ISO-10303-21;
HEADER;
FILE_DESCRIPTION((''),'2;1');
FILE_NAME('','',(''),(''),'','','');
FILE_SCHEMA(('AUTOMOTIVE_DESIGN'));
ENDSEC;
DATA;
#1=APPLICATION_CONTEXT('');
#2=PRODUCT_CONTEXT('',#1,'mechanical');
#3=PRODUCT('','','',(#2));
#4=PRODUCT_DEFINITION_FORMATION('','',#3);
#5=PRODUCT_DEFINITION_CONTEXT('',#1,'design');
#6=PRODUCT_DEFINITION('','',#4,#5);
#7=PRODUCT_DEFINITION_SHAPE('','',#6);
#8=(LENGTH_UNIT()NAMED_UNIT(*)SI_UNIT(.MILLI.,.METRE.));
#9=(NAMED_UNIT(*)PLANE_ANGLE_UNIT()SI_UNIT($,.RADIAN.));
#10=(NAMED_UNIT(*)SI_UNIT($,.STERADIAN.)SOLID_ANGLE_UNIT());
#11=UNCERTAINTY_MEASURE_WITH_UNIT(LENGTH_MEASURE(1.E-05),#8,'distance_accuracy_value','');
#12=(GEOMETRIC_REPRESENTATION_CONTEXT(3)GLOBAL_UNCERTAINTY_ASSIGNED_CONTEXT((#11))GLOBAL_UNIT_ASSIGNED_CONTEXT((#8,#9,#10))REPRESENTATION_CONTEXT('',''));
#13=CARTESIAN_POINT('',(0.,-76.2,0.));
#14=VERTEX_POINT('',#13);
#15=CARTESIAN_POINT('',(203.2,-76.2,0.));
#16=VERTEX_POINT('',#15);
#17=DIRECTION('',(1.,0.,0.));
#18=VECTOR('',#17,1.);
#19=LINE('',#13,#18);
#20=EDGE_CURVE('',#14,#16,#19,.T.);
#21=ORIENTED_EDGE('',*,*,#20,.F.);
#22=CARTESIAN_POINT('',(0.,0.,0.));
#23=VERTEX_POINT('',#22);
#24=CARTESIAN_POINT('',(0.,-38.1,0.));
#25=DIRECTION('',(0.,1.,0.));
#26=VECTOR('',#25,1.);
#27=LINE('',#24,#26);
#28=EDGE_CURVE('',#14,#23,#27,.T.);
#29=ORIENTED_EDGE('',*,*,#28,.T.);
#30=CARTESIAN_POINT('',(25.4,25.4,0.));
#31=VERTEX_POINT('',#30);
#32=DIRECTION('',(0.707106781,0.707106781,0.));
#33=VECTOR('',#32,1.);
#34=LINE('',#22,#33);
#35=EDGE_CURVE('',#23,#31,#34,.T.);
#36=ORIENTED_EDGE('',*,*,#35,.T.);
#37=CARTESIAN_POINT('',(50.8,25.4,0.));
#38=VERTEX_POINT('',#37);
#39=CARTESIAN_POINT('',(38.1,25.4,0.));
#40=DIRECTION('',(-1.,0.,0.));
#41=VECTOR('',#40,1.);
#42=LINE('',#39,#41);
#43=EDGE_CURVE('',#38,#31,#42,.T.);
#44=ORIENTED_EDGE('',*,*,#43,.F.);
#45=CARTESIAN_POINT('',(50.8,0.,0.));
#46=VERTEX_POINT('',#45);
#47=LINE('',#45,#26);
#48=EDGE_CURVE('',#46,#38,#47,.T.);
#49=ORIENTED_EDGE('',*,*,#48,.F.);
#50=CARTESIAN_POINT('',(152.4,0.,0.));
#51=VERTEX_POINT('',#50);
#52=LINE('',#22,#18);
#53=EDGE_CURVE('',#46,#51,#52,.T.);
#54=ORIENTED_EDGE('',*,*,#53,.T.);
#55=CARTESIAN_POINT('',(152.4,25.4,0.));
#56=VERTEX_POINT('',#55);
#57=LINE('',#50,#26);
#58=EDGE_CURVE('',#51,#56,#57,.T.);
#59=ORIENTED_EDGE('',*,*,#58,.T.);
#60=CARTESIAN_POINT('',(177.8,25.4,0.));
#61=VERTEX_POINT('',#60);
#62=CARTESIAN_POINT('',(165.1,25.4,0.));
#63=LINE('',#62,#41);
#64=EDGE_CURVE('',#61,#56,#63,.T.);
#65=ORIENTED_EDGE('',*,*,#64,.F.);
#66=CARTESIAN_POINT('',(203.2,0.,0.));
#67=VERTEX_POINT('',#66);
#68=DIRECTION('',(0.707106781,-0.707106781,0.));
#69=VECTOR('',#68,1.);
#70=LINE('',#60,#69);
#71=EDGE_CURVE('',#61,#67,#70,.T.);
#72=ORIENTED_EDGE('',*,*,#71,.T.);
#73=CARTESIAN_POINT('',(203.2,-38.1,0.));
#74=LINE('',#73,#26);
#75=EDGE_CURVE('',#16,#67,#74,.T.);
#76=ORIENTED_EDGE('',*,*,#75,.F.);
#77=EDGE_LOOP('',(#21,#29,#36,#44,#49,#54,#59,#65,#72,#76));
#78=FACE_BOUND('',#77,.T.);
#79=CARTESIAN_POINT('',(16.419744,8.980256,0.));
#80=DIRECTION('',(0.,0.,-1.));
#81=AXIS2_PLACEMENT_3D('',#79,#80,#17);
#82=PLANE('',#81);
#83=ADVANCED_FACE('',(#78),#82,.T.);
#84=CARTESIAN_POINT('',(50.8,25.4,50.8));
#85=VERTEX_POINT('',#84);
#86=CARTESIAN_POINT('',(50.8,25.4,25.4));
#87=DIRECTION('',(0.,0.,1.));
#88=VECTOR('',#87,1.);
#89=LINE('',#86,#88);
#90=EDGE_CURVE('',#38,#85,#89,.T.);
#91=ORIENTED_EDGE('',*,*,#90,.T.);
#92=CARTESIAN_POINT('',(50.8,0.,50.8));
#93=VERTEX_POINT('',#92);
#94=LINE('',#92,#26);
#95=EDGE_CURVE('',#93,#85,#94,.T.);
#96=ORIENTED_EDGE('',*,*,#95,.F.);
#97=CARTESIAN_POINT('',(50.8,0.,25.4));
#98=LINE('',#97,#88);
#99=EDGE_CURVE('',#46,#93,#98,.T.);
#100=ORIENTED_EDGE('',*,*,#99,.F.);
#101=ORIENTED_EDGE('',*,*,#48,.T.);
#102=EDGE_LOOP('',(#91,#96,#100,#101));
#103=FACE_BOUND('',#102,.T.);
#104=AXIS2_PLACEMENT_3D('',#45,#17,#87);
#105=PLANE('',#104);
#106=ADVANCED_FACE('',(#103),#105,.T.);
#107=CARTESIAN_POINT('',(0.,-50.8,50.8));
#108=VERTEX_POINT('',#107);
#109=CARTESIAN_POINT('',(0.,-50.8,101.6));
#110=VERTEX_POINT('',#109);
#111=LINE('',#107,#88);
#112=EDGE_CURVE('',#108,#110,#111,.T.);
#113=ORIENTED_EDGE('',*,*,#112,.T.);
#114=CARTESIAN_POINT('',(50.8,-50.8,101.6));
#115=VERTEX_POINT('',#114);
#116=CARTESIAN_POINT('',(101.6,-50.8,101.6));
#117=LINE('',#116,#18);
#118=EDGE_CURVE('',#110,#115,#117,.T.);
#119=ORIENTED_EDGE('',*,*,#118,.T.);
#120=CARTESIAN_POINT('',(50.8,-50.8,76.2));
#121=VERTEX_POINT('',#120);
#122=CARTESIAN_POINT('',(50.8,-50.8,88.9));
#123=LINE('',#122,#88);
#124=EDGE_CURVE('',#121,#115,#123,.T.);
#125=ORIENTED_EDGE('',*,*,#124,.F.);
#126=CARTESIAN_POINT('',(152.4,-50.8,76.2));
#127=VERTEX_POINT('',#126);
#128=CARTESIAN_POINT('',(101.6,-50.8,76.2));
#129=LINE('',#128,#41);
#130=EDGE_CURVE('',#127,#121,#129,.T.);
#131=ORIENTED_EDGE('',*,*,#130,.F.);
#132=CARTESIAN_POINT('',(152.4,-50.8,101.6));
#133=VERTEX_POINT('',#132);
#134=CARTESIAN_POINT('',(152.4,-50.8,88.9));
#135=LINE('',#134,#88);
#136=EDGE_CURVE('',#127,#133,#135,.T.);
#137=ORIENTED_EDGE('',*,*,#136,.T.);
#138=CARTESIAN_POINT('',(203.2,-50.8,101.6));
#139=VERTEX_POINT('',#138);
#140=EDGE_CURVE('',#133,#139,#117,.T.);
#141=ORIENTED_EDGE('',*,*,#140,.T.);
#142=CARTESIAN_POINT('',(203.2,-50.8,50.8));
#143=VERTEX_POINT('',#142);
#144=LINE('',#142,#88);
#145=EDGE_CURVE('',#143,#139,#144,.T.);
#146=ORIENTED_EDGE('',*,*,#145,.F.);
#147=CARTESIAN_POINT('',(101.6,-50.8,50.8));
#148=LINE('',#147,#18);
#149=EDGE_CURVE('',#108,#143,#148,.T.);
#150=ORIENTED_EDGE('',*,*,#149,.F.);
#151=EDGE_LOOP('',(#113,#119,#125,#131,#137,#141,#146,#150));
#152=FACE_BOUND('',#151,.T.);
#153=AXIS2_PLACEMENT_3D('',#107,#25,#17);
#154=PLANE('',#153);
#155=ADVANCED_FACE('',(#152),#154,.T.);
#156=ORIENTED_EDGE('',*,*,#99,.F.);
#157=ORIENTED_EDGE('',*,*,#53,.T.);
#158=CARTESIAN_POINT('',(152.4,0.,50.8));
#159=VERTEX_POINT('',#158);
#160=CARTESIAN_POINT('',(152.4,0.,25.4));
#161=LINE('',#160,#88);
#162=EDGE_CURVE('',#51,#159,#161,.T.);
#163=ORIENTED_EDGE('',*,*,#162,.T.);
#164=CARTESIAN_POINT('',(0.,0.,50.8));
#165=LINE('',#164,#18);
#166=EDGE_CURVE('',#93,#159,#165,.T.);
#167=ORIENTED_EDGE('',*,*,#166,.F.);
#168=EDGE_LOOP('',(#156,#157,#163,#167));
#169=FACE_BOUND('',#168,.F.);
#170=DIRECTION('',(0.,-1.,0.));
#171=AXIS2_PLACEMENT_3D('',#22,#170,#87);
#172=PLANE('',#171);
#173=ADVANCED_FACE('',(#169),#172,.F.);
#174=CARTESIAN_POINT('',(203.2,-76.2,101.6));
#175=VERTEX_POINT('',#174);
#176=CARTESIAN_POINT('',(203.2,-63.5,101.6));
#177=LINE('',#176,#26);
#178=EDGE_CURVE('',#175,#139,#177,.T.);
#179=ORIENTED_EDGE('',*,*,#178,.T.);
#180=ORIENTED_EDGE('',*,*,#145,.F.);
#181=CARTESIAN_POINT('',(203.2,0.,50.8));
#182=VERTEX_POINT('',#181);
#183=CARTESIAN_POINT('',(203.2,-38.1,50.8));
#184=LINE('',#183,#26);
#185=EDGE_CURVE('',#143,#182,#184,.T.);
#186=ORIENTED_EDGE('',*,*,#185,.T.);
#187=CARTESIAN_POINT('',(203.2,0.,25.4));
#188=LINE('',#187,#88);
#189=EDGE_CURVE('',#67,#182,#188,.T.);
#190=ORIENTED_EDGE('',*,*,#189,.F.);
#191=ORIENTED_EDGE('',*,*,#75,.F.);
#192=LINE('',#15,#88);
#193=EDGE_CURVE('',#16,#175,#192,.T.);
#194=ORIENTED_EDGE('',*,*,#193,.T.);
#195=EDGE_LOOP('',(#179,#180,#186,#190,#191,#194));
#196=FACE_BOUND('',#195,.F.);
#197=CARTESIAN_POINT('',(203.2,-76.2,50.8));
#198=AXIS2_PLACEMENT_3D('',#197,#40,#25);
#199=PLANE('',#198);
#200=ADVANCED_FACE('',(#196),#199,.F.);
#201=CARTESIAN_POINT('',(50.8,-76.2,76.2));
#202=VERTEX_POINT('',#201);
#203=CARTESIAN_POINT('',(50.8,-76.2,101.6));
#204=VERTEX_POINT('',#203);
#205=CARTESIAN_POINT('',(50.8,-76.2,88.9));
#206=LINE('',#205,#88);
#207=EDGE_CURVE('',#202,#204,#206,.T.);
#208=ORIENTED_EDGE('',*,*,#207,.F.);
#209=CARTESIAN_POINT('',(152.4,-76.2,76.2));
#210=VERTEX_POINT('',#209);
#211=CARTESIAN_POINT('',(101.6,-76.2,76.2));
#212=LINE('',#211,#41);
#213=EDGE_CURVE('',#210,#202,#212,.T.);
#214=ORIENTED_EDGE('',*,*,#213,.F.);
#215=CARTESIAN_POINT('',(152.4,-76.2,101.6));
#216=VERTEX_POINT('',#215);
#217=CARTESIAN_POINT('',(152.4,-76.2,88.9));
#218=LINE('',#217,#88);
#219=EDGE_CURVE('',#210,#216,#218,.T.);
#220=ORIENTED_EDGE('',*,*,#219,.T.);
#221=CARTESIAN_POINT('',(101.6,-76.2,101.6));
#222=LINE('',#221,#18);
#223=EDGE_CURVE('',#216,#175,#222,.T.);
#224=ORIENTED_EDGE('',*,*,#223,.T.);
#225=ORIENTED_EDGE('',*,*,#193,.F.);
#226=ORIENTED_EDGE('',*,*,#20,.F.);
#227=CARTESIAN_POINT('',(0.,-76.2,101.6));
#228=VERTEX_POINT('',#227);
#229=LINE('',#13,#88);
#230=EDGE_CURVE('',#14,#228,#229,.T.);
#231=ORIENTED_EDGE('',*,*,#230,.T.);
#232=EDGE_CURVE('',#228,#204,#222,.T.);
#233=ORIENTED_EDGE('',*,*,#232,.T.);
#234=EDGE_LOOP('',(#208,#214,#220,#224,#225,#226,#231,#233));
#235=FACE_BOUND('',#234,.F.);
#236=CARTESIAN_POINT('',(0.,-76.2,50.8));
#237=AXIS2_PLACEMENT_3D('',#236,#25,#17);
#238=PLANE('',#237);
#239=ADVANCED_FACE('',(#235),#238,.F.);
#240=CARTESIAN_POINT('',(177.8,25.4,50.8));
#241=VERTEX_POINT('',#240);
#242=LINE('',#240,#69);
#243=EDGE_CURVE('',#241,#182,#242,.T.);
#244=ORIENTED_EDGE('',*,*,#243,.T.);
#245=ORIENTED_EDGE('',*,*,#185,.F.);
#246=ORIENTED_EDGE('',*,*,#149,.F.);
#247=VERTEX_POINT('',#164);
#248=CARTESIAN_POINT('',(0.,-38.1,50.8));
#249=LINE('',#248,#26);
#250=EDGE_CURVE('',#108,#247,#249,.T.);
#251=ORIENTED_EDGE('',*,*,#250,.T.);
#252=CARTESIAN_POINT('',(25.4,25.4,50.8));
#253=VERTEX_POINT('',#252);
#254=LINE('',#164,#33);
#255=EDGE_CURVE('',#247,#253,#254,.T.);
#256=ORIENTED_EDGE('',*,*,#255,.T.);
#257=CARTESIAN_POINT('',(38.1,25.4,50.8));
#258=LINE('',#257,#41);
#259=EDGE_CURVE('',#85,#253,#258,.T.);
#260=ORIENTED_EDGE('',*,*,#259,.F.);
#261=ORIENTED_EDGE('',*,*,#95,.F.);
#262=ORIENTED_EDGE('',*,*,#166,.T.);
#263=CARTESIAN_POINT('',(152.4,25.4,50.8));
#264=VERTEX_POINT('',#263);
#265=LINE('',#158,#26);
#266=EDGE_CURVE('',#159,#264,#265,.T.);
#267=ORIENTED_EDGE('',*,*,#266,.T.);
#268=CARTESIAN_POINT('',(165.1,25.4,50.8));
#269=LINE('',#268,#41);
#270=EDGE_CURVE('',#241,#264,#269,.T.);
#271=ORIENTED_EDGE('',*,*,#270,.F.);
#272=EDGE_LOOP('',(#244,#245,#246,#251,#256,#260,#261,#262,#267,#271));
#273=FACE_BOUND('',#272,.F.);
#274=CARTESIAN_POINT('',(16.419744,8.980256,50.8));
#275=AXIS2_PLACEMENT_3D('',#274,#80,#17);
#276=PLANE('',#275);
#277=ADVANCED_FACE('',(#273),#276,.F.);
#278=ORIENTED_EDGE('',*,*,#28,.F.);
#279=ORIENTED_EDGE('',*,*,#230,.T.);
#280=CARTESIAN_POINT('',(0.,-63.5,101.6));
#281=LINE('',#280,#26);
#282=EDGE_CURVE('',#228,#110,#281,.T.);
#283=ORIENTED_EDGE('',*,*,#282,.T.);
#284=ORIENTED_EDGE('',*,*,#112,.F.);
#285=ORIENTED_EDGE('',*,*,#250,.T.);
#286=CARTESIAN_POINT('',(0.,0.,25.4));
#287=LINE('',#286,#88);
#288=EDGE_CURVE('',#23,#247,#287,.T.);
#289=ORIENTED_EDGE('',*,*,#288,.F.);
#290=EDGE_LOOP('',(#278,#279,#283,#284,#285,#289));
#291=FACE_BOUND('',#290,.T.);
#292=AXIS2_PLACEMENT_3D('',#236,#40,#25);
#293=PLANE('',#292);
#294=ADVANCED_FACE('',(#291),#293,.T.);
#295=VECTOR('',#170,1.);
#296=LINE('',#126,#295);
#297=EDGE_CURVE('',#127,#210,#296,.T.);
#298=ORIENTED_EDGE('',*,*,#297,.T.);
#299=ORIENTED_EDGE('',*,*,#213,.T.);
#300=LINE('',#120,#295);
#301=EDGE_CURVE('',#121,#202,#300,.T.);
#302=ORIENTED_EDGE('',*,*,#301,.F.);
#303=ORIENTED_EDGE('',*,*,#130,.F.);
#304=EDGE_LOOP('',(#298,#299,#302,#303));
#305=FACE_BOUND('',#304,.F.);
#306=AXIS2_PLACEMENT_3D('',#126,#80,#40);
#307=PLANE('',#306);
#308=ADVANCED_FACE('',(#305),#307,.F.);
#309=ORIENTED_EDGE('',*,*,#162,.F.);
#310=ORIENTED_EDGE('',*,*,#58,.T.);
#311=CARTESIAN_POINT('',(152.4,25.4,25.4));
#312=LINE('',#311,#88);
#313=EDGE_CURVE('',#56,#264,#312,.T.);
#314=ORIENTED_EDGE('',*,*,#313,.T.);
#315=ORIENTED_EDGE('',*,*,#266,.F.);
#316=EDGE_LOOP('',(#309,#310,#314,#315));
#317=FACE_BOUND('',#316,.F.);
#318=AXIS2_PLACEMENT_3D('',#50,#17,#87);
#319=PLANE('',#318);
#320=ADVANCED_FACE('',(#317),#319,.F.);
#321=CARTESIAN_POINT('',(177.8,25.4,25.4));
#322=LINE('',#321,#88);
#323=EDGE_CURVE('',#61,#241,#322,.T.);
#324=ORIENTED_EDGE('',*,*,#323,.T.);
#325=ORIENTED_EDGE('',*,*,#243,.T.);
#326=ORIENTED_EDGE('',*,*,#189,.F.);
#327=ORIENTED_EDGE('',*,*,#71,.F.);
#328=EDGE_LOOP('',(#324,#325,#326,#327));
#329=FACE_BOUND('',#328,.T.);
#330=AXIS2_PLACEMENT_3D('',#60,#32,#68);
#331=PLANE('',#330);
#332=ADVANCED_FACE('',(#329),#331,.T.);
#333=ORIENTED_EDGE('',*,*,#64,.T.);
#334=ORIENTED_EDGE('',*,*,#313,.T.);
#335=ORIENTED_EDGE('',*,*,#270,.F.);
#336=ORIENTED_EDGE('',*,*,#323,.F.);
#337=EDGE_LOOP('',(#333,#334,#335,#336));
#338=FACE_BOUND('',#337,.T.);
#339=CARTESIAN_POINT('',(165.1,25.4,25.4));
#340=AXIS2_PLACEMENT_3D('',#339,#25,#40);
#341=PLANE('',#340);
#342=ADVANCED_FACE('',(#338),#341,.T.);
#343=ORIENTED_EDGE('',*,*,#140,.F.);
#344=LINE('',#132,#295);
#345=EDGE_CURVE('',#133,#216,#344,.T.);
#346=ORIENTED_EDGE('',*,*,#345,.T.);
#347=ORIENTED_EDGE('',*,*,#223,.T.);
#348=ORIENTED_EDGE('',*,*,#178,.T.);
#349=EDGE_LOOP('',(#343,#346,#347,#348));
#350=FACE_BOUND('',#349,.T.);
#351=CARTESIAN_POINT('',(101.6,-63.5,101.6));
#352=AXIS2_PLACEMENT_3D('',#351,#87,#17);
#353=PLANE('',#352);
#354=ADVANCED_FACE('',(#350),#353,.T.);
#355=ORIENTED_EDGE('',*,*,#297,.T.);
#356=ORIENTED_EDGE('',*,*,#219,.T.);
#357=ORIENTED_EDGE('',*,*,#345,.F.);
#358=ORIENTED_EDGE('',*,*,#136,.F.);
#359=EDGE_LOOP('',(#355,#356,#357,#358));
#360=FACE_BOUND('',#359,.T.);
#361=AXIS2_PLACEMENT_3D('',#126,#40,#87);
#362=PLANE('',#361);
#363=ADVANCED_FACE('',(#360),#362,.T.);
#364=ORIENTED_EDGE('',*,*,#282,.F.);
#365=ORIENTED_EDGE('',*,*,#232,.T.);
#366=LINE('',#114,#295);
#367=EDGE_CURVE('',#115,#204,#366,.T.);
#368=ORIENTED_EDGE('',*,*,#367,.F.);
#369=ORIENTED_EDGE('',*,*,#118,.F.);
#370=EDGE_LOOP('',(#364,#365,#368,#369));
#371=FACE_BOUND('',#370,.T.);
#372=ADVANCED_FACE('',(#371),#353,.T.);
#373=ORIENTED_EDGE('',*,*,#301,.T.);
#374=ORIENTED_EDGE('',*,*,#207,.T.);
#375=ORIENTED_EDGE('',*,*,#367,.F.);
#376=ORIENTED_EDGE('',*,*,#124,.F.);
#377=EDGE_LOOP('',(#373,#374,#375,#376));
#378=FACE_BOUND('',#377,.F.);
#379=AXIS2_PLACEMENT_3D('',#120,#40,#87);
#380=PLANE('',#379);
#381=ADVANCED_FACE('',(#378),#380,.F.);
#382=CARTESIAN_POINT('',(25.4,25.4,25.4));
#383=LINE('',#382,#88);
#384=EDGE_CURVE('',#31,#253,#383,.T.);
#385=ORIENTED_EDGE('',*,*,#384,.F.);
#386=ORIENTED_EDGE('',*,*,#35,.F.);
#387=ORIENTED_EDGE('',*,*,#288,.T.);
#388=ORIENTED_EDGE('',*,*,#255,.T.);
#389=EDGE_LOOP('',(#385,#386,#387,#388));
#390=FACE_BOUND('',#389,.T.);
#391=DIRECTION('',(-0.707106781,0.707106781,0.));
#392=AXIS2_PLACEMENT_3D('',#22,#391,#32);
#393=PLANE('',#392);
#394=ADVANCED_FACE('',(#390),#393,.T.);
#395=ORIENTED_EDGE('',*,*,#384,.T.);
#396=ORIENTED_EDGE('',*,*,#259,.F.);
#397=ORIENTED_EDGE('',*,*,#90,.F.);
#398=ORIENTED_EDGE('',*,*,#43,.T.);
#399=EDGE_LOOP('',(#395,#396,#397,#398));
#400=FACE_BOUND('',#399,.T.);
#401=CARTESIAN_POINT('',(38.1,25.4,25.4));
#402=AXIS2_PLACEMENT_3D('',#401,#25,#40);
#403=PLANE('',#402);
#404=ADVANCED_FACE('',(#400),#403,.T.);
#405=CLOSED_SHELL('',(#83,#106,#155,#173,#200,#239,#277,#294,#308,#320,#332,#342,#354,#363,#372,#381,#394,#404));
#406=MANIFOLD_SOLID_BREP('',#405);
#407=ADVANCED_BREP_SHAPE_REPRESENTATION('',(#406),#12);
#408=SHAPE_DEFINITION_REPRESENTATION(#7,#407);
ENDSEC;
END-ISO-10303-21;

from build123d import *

# Parameters (mm, degrees)
F0_W      = 76.2
F0_H      = 50.8
F1_DEPTH  = 203.2
F2_W      = 203.2
F2_H      = 25.4
F3_DEPTH  = 50.8
F4_W      = 101.6
F4_H      = 25.4
F5_DEPTH  = 25.4
F6_W      = 25.4
F6_H      = 50.8
F7_DEPTH  = 25.4
F8_W      = 25.4
F8_H      = 50.8
F9_DEPTH  = 25.4
F11_DEPTH = 50.8
F13_DEPTH = 50.8


with BuildPart() as f1:
    # F0 (on Right) → F1 (new body)
    with BuildSketch(Plane.YZ):
        with Locations((-38.1, 25.4)):
            Rectangle(F0_W, F0_H)
    extrude(amount=F1_DEPTH)

    # F2 (on face) → F3 (join)
    with BuildSketch(Plane.XY.offset(50.8)):
        with Locations((101.6, -63.5)):
            Rectangle(F2_W, F2_H)
    extrude(amount=F3_DEPTH)

    # F4 (on face) → F5 (cut)
    with BuildSketch(Plane(origin=(0, -50.8, 0), x_dir=(-1, 0, 0), z_dir=(0, 1, 0))):
        with Locations((-101.6, 88.9)):
            Rectangle(F4_W, F4_H)
    extrude(amount=-F5_DEPTH, mode=Mode.SUBTRACT)

    # F6 (on face) → F7 (join)
    with BuildSketch(Plane(origin=(0, 0, 0), x_dir=(-1, 0, 0), z_dir=(0, 1, 0))):
        with Locations((-165.1, 25.4)):
            Rectangle(F6_W, F6_H)
    extrude(amount=F7_DEPTH)

    # F8 (on face) → F9 (join)
    with BuildSketch(Plane(origin=(0, 0, 0), x_dir=(-1, 0, 0), z_dir=(0, 1, 0))):
        with Locations((-38.1, 25.4)):
            Rectangle(F8_W, F8_H)
    extrude(amount=F9_DEPTH)

    # F10 (on face) → F11 (join)
    with BuildSketch(Plane(origin=(0, 0, 0), x_dir=(1, 0, 0), z_dir=(0, 0, -1))):
        Polygon((177.8, 0), (177.8, -25.4), (203.2, 0), align=None)
    extrude(amount=-F11_DEPTH)

    # F12 (on face) → F13 (join)
    with BuildSketch(Plane(origin=(0, 0, 0), x_dir=(1, 0, 0), z_dir=(0, 0, -1))):
        Polygon((0, 0), (25.4, -25.4), (25.4, 0), align=None)
    extrude(amount=-F13_DEPTH)


solid = f1.part
